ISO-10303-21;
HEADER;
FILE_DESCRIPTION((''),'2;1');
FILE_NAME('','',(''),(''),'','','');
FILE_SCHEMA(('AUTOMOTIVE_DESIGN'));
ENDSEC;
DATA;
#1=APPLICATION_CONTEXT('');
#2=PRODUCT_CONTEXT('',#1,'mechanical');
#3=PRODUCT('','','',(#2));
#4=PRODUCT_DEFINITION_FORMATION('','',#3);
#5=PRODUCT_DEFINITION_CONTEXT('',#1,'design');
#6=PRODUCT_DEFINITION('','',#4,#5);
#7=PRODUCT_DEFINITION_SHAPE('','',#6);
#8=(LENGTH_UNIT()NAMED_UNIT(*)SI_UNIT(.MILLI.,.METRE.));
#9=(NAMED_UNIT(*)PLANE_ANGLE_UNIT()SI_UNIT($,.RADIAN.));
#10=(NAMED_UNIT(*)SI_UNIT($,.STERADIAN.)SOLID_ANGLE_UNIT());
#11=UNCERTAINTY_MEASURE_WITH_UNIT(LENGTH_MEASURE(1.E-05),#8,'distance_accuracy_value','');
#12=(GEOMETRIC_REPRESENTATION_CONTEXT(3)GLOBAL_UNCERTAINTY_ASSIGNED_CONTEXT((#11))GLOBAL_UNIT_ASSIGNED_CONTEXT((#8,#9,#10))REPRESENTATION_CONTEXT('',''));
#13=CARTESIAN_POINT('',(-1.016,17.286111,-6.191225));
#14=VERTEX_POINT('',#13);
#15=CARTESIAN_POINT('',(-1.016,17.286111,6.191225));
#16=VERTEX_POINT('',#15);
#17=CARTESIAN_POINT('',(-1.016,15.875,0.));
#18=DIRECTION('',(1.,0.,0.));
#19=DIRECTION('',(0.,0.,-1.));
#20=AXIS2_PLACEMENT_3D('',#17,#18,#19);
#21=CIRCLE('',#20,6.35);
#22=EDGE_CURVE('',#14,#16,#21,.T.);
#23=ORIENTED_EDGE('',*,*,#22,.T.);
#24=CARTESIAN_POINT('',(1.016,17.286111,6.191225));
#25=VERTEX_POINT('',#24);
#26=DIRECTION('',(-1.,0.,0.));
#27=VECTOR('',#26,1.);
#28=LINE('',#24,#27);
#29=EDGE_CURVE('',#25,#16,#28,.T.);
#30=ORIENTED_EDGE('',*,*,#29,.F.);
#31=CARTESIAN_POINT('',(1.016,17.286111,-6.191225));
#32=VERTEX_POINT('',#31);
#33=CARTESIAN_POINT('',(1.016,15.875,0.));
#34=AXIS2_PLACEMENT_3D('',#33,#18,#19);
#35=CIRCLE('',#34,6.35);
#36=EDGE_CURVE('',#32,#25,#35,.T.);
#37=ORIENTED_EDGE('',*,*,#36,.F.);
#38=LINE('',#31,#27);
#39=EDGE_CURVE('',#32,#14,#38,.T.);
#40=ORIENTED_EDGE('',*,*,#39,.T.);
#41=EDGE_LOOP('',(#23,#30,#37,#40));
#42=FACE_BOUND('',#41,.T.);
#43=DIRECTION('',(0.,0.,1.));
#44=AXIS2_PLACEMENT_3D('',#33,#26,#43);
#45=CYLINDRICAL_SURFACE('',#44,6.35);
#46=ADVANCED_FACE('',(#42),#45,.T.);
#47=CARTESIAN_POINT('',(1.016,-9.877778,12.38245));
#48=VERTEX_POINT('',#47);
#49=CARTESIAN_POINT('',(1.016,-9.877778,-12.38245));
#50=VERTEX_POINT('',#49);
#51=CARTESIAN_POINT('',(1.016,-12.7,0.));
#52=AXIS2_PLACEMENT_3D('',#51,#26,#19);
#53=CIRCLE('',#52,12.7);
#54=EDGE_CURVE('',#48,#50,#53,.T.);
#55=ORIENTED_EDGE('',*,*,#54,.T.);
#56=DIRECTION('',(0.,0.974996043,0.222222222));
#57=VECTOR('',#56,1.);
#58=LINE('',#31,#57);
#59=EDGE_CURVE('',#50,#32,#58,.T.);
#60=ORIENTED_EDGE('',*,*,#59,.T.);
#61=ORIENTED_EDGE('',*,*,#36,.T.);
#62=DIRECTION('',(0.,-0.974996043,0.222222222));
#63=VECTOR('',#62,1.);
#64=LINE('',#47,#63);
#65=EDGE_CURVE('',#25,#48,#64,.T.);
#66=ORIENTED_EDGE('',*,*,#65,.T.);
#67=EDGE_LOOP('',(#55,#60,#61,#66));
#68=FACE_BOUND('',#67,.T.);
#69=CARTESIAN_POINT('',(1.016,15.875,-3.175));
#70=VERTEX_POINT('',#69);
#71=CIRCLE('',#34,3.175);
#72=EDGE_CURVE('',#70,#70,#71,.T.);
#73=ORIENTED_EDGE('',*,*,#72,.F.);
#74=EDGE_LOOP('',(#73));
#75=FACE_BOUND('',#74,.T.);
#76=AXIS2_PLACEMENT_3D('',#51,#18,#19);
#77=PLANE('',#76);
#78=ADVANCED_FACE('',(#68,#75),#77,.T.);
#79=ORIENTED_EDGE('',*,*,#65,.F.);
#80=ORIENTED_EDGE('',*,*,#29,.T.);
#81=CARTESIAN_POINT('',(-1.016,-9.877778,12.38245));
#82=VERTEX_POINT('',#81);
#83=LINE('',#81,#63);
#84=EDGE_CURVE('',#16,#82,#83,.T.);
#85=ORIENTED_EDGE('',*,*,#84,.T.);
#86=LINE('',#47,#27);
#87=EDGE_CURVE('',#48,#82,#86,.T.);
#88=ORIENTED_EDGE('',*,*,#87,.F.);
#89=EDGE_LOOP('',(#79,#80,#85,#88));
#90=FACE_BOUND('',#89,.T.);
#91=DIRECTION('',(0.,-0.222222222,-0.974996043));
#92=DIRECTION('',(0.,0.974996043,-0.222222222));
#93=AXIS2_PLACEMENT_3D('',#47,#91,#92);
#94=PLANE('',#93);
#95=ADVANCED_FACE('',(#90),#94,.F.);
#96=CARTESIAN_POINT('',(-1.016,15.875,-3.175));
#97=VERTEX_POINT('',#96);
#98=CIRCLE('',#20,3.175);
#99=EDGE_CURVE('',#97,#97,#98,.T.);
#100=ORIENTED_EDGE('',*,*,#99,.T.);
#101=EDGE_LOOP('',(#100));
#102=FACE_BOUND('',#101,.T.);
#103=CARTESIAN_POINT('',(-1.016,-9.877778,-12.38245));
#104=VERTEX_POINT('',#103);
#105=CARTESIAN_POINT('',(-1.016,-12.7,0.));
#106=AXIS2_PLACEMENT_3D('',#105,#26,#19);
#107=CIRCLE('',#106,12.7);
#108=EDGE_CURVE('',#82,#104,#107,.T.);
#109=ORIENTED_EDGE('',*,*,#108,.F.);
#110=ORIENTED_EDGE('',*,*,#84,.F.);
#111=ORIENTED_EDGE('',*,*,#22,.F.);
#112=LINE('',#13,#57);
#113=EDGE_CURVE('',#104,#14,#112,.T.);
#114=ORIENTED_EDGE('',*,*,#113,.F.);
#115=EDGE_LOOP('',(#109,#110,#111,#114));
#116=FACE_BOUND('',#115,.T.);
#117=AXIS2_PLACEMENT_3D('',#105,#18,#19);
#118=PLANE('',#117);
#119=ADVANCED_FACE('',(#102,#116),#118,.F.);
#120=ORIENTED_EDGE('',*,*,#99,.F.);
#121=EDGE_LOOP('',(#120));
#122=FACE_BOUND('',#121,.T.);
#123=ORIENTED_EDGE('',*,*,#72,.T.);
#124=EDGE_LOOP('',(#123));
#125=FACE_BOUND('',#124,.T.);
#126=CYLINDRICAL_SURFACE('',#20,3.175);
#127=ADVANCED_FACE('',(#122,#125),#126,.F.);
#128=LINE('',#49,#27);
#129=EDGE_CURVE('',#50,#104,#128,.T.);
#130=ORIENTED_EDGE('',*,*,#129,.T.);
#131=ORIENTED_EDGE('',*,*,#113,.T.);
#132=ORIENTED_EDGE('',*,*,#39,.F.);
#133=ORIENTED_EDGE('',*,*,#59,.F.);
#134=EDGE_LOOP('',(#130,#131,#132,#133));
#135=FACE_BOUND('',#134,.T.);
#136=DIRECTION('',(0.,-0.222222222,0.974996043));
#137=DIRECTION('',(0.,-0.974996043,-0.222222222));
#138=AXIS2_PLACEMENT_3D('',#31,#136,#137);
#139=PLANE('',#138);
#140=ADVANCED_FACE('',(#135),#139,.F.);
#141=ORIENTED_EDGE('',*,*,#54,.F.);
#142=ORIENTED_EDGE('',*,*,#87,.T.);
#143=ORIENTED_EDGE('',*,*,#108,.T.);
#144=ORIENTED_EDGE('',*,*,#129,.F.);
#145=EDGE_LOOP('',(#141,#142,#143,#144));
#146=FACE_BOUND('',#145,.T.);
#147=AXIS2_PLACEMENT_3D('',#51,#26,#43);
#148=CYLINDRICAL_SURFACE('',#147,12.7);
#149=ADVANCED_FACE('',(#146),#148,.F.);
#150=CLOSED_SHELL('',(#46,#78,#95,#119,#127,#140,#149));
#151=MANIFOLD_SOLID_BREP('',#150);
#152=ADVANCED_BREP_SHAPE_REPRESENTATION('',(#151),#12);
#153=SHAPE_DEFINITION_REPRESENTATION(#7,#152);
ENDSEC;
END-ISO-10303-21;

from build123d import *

# Parameters (mm, degrees)
BOSS_EXTRUDE1_DEPTH = 1.016
SKETCH2_R           = 3.175
CUT_EXTRUDE1_DEPTH  = 3.032


with BuildPart() as part:
    # Sketch1 → Boss-Extrude1 (new body, symmetric)
    with BuildSketch(Plane(origin=(0, 0, 0), x_dir=(0, 0, -1), z_dir=(1, 0, 0))):
        with BuildLine():
            Line((-12.382449747, -9.877777778), (-6.191224873, 17.286111111))
            ThreePointArc((-6.191224873, 17.286111111), (0, 22.225), (6.191224873, 17.286111111))
            Line((6.191224873, 17.286111111), (12.382449747, -9.877777778))
            ThreePointArc((12.382449747, -9.877777778), (0, 0), (-12.382449747, -9.877777778))
        make_face()
    extrude(amount=BOSS_EXTRUDE1_DEPTH, both=True)

    # Sketch2 → Cut-Extrude1 (cut, through all)
    with BuildSketch(Plane(origin=(1.016, 0, 0), x_dir=(0, 0, -1), z_dir=(1, 0, 0))):
        with Locations((0, 15.875)):
            Circle(SKETCH2_R)
    extrude(amount=-CUT_EXTRUDE1_DEPTH, mode=Mode.SUBTRACT)


solid = part.part
